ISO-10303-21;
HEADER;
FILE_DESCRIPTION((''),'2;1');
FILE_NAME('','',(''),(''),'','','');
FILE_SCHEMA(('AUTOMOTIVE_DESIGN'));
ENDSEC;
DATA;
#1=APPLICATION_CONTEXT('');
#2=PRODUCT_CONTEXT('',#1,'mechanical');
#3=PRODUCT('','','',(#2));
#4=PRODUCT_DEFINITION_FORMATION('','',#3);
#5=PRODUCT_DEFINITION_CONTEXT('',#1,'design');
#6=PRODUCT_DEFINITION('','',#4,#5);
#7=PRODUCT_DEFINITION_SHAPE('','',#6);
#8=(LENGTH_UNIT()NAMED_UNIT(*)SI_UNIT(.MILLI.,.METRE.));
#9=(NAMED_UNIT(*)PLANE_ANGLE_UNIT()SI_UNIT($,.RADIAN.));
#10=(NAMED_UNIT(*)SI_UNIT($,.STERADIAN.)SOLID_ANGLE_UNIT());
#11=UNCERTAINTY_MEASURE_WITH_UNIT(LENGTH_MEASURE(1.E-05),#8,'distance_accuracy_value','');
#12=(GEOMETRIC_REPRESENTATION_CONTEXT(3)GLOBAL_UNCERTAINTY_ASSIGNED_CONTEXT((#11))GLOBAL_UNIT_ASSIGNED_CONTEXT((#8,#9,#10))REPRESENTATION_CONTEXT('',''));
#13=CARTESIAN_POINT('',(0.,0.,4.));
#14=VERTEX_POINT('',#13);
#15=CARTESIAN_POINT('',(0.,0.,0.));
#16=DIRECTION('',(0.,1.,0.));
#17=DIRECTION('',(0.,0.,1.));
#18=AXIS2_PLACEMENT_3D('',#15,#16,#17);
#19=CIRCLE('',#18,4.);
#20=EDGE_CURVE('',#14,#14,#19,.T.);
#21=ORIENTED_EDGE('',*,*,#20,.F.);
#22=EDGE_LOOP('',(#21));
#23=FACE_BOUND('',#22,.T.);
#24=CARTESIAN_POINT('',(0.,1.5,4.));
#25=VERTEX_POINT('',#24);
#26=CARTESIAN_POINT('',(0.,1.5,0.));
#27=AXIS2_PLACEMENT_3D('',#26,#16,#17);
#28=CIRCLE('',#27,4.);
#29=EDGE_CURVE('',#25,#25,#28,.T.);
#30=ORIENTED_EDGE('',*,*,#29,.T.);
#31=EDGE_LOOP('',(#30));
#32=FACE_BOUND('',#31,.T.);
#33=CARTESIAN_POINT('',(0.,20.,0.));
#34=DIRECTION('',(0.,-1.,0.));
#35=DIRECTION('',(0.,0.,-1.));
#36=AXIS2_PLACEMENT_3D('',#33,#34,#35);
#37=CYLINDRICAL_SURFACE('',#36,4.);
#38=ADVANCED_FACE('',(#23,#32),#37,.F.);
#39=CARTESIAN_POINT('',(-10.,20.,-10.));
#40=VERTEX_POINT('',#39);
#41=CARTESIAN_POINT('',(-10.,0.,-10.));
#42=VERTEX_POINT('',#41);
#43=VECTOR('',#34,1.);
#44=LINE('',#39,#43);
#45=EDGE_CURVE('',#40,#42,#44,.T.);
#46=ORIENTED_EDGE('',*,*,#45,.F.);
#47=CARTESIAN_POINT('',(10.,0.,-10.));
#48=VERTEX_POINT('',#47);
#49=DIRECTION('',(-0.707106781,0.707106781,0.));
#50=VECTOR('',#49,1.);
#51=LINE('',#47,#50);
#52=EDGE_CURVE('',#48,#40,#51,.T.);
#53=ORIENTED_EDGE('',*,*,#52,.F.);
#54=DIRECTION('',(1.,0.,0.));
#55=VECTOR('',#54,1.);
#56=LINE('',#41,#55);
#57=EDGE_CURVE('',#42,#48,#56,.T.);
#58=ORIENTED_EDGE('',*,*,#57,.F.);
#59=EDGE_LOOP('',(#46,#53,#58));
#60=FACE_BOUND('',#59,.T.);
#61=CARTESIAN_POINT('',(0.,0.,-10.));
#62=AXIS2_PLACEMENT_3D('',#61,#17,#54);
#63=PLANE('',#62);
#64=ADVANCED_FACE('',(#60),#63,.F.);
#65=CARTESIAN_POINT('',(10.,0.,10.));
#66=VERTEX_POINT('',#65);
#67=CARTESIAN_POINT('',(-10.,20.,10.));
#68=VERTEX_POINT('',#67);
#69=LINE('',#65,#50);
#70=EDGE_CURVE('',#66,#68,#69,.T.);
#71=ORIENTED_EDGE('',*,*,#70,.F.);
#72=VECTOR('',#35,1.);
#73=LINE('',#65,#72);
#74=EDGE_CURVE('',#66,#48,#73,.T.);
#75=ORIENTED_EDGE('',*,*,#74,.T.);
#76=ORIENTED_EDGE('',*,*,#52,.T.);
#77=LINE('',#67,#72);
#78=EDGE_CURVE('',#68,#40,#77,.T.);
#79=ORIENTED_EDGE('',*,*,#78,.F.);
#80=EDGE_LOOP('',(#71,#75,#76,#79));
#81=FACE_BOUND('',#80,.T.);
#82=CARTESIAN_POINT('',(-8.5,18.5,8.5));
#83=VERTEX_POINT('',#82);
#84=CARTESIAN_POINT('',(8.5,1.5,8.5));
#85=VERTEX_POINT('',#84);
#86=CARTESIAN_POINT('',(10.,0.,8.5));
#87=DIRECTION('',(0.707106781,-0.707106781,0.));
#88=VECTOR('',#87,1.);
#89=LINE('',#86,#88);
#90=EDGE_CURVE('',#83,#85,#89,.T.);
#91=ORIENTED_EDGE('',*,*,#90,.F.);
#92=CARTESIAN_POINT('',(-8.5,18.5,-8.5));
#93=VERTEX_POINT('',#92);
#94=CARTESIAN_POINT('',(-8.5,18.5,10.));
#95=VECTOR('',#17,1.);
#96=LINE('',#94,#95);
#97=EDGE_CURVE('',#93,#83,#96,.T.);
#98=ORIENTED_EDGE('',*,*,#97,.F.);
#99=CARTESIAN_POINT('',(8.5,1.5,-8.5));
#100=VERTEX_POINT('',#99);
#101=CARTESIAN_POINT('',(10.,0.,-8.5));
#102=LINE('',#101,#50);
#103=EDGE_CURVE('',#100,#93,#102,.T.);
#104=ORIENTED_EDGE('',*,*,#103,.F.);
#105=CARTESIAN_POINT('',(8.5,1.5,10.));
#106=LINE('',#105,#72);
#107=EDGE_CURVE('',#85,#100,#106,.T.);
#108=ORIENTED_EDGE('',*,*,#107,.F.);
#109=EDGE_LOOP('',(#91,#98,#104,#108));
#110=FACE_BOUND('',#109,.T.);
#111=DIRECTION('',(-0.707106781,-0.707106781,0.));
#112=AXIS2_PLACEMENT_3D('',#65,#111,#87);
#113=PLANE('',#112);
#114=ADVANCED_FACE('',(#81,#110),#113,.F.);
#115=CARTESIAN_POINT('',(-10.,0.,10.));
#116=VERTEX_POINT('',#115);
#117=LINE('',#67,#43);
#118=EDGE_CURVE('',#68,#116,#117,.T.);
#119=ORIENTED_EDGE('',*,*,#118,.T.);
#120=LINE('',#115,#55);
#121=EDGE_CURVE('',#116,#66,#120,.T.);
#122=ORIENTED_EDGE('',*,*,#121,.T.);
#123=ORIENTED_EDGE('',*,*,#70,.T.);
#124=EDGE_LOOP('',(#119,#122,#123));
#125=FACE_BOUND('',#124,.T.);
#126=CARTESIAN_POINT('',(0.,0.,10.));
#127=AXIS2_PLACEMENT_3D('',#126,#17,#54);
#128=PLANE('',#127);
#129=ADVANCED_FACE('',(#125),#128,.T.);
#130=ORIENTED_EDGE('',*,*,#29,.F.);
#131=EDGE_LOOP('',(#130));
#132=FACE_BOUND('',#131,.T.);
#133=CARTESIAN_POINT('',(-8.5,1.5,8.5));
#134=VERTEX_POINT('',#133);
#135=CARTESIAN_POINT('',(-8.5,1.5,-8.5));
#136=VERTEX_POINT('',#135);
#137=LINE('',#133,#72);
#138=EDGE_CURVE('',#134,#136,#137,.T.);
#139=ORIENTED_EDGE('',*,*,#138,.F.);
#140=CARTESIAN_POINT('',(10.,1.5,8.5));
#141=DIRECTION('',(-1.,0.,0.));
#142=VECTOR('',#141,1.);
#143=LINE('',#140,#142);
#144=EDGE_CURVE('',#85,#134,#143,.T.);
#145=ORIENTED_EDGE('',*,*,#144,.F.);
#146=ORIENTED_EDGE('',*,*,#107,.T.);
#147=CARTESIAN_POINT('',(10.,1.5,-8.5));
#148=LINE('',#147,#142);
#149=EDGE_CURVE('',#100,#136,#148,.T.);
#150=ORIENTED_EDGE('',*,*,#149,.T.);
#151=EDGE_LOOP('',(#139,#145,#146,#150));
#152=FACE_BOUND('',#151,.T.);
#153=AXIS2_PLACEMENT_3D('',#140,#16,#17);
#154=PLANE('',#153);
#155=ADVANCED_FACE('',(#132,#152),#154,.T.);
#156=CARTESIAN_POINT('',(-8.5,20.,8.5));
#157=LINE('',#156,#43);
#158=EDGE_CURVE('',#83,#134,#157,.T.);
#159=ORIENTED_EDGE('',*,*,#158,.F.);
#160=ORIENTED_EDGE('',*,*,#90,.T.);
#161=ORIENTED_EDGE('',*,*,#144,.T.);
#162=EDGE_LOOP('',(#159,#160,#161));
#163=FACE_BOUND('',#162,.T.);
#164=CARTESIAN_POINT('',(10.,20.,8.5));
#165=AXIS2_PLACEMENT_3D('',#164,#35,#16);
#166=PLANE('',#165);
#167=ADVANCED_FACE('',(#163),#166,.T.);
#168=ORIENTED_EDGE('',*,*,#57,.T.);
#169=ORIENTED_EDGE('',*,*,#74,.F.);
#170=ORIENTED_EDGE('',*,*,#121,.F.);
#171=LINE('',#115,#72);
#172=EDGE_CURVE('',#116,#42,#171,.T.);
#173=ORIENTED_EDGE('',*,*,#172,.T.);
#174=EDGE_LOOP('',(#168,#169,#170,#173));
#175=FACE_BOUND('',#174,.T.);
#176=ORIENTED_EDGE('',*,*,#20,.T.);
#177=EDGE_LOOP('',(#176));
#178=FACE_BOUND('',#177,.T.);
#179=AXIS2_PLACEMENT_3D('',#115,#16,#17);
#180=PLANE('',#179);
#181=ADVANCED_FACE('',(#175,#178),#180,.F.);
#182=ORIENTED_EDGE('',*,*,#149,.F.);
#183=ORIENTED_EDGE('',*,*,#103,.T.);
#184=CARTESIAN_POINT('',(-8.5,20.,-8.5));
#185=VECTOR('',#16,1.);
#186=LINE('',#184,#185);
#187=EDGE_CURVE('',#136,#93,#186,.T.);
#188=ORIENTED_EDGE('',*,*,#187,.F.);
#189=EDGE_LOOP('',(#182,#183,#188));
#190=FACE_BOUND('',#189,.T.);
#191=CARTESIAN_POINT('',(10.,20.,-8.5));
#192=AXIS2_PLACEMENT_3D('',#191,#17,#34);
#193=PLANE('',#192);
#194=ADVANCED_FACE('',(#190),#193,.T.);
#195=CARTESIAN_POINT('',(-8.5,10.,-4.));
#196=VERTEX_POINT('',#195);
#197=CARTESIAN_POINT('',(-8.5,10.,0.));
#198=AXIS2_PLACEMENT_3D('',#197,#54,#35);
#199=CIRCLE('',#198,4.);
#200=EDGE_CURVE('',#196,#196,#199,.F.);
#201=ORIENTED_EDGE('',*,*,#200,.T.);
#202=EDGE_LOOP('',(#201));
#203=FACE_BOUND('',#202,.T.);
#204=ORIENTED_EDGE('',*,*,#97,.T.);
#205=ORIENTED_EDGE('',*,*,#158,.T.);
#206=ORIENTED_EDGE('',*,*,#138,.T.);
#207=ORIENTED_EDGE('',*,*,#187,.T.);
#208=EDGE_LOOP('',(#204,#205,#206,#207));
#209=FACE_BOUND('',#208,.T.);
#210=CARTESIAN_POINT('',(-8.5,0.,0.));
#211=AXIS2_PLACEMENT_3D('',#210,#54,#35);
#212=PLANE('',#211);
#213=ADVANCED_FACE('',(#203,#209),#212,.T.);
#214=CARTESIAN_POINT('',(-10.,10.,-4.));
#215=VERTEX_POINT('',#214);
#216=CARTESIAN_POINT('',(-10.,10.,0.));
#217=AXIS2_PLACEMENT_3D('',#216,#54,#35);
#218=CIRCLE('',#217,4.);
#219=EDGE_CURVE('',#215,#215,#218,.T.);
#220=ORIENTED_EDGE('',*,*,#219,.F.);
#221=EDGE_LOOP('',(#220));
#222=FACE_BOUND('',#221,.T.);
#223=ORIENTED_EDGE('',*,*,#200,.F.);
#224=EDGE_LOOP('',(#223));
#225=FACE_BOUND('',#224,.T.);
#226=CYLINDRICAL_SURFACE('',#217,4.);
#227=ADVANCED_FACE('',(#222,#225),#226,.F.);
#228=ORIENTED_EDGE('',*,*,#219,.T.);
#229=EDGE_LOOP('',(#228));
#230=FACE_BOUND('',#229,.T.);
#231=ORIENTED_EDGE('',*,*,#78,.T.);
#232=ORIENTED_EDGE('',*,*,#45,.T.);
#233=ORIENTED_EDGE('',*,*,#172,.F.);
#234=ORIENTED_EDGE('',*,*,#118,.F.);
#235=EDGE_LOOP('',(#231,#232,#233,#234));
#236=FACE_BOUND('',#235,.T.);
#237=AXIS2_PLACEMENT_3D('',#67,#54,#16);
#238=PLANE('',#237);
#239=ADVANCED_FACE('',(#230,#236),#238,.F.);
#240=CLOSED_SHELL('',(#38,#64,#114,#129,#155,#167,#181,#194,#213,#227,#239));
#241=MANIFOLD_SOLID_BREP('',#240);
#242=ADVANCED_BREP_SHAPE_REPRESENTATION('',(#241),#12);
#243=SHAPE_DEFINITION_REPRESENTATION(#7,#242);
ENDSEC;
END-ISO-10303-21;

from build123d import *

# Parameters (mm, degrees)
BOSS_EXTRUDE1_DEPTH     = 10
SKETCH3_R               = 4
CUT_EXTRUDE1_DEPTH      = 20
SKETCH4_R               = 4
CUT_EXTRUDE2_DEPTH      = 10
SKETCH5_W               = 17
SKETCH5_H               = 18.5
CUT_EXTRUDE3_DEPTH      = 10
CUT_EXTRUDE3_DEPTH_BACK = 8.5


with BuildPart() as part:
    # Sketch1 → Boss-Extrude1 (new body, symmetric)
    with BuildSketch(Plane.XY):
        Polygon((-10, 0), (10, 0), (-10, 20), align=None)
    extrude(amount=BOSS_EXTRUDE1_DEPTH, both=True)

    # Sketch3 → Cut-Extrude1 (cut)
    with BuildSketch(Plane(origin=(0, 0, 0), x_dir=(1, 0, 0), z_dir=(0, 1, 0))):
        Circle(SKETCH3_R)
    extrude(amount=CUT_EXTRUDE1_DEPTH, mode=Mode.SUBTRACT)

    # Sketch4 → Cut-Extrude2 (cut, symmetric)
    with BuildSketch(Plane(origin=(0, 0, 0), x_dir=(0, 0, -1), z_dir=(1, 0, 0))):
        with Locations((0, 10)):
            Circle(SKETCH4_R)
    extrude(amount=CUT_EXTRUDE2_DEPTH, both=True, mode=Mode.SUBTRACT)

    # Sketch5 → Cut-Extrude3 (cut, two sides)
    with BuildSketch(Plane(origin=(0, 0, 0), x_dir=(0, 0, -1), z_dir=(1, 0, 0))) as cut_extrude3_sk:
        with Locations((0, 10.75)):
            Rectangle(SKETCH5_W, SKETCH5_H)
    extrude(amount=CUT_EXTRUDE3_DEPTH, mode=Mode.SUBTRACT)
    extrude(cut_extrude3_sk.sketch, amount=-CUT_EXTRUDE3_DEPTH_BACK, mode=Mode.SUBTRACT)


solid = part.part
